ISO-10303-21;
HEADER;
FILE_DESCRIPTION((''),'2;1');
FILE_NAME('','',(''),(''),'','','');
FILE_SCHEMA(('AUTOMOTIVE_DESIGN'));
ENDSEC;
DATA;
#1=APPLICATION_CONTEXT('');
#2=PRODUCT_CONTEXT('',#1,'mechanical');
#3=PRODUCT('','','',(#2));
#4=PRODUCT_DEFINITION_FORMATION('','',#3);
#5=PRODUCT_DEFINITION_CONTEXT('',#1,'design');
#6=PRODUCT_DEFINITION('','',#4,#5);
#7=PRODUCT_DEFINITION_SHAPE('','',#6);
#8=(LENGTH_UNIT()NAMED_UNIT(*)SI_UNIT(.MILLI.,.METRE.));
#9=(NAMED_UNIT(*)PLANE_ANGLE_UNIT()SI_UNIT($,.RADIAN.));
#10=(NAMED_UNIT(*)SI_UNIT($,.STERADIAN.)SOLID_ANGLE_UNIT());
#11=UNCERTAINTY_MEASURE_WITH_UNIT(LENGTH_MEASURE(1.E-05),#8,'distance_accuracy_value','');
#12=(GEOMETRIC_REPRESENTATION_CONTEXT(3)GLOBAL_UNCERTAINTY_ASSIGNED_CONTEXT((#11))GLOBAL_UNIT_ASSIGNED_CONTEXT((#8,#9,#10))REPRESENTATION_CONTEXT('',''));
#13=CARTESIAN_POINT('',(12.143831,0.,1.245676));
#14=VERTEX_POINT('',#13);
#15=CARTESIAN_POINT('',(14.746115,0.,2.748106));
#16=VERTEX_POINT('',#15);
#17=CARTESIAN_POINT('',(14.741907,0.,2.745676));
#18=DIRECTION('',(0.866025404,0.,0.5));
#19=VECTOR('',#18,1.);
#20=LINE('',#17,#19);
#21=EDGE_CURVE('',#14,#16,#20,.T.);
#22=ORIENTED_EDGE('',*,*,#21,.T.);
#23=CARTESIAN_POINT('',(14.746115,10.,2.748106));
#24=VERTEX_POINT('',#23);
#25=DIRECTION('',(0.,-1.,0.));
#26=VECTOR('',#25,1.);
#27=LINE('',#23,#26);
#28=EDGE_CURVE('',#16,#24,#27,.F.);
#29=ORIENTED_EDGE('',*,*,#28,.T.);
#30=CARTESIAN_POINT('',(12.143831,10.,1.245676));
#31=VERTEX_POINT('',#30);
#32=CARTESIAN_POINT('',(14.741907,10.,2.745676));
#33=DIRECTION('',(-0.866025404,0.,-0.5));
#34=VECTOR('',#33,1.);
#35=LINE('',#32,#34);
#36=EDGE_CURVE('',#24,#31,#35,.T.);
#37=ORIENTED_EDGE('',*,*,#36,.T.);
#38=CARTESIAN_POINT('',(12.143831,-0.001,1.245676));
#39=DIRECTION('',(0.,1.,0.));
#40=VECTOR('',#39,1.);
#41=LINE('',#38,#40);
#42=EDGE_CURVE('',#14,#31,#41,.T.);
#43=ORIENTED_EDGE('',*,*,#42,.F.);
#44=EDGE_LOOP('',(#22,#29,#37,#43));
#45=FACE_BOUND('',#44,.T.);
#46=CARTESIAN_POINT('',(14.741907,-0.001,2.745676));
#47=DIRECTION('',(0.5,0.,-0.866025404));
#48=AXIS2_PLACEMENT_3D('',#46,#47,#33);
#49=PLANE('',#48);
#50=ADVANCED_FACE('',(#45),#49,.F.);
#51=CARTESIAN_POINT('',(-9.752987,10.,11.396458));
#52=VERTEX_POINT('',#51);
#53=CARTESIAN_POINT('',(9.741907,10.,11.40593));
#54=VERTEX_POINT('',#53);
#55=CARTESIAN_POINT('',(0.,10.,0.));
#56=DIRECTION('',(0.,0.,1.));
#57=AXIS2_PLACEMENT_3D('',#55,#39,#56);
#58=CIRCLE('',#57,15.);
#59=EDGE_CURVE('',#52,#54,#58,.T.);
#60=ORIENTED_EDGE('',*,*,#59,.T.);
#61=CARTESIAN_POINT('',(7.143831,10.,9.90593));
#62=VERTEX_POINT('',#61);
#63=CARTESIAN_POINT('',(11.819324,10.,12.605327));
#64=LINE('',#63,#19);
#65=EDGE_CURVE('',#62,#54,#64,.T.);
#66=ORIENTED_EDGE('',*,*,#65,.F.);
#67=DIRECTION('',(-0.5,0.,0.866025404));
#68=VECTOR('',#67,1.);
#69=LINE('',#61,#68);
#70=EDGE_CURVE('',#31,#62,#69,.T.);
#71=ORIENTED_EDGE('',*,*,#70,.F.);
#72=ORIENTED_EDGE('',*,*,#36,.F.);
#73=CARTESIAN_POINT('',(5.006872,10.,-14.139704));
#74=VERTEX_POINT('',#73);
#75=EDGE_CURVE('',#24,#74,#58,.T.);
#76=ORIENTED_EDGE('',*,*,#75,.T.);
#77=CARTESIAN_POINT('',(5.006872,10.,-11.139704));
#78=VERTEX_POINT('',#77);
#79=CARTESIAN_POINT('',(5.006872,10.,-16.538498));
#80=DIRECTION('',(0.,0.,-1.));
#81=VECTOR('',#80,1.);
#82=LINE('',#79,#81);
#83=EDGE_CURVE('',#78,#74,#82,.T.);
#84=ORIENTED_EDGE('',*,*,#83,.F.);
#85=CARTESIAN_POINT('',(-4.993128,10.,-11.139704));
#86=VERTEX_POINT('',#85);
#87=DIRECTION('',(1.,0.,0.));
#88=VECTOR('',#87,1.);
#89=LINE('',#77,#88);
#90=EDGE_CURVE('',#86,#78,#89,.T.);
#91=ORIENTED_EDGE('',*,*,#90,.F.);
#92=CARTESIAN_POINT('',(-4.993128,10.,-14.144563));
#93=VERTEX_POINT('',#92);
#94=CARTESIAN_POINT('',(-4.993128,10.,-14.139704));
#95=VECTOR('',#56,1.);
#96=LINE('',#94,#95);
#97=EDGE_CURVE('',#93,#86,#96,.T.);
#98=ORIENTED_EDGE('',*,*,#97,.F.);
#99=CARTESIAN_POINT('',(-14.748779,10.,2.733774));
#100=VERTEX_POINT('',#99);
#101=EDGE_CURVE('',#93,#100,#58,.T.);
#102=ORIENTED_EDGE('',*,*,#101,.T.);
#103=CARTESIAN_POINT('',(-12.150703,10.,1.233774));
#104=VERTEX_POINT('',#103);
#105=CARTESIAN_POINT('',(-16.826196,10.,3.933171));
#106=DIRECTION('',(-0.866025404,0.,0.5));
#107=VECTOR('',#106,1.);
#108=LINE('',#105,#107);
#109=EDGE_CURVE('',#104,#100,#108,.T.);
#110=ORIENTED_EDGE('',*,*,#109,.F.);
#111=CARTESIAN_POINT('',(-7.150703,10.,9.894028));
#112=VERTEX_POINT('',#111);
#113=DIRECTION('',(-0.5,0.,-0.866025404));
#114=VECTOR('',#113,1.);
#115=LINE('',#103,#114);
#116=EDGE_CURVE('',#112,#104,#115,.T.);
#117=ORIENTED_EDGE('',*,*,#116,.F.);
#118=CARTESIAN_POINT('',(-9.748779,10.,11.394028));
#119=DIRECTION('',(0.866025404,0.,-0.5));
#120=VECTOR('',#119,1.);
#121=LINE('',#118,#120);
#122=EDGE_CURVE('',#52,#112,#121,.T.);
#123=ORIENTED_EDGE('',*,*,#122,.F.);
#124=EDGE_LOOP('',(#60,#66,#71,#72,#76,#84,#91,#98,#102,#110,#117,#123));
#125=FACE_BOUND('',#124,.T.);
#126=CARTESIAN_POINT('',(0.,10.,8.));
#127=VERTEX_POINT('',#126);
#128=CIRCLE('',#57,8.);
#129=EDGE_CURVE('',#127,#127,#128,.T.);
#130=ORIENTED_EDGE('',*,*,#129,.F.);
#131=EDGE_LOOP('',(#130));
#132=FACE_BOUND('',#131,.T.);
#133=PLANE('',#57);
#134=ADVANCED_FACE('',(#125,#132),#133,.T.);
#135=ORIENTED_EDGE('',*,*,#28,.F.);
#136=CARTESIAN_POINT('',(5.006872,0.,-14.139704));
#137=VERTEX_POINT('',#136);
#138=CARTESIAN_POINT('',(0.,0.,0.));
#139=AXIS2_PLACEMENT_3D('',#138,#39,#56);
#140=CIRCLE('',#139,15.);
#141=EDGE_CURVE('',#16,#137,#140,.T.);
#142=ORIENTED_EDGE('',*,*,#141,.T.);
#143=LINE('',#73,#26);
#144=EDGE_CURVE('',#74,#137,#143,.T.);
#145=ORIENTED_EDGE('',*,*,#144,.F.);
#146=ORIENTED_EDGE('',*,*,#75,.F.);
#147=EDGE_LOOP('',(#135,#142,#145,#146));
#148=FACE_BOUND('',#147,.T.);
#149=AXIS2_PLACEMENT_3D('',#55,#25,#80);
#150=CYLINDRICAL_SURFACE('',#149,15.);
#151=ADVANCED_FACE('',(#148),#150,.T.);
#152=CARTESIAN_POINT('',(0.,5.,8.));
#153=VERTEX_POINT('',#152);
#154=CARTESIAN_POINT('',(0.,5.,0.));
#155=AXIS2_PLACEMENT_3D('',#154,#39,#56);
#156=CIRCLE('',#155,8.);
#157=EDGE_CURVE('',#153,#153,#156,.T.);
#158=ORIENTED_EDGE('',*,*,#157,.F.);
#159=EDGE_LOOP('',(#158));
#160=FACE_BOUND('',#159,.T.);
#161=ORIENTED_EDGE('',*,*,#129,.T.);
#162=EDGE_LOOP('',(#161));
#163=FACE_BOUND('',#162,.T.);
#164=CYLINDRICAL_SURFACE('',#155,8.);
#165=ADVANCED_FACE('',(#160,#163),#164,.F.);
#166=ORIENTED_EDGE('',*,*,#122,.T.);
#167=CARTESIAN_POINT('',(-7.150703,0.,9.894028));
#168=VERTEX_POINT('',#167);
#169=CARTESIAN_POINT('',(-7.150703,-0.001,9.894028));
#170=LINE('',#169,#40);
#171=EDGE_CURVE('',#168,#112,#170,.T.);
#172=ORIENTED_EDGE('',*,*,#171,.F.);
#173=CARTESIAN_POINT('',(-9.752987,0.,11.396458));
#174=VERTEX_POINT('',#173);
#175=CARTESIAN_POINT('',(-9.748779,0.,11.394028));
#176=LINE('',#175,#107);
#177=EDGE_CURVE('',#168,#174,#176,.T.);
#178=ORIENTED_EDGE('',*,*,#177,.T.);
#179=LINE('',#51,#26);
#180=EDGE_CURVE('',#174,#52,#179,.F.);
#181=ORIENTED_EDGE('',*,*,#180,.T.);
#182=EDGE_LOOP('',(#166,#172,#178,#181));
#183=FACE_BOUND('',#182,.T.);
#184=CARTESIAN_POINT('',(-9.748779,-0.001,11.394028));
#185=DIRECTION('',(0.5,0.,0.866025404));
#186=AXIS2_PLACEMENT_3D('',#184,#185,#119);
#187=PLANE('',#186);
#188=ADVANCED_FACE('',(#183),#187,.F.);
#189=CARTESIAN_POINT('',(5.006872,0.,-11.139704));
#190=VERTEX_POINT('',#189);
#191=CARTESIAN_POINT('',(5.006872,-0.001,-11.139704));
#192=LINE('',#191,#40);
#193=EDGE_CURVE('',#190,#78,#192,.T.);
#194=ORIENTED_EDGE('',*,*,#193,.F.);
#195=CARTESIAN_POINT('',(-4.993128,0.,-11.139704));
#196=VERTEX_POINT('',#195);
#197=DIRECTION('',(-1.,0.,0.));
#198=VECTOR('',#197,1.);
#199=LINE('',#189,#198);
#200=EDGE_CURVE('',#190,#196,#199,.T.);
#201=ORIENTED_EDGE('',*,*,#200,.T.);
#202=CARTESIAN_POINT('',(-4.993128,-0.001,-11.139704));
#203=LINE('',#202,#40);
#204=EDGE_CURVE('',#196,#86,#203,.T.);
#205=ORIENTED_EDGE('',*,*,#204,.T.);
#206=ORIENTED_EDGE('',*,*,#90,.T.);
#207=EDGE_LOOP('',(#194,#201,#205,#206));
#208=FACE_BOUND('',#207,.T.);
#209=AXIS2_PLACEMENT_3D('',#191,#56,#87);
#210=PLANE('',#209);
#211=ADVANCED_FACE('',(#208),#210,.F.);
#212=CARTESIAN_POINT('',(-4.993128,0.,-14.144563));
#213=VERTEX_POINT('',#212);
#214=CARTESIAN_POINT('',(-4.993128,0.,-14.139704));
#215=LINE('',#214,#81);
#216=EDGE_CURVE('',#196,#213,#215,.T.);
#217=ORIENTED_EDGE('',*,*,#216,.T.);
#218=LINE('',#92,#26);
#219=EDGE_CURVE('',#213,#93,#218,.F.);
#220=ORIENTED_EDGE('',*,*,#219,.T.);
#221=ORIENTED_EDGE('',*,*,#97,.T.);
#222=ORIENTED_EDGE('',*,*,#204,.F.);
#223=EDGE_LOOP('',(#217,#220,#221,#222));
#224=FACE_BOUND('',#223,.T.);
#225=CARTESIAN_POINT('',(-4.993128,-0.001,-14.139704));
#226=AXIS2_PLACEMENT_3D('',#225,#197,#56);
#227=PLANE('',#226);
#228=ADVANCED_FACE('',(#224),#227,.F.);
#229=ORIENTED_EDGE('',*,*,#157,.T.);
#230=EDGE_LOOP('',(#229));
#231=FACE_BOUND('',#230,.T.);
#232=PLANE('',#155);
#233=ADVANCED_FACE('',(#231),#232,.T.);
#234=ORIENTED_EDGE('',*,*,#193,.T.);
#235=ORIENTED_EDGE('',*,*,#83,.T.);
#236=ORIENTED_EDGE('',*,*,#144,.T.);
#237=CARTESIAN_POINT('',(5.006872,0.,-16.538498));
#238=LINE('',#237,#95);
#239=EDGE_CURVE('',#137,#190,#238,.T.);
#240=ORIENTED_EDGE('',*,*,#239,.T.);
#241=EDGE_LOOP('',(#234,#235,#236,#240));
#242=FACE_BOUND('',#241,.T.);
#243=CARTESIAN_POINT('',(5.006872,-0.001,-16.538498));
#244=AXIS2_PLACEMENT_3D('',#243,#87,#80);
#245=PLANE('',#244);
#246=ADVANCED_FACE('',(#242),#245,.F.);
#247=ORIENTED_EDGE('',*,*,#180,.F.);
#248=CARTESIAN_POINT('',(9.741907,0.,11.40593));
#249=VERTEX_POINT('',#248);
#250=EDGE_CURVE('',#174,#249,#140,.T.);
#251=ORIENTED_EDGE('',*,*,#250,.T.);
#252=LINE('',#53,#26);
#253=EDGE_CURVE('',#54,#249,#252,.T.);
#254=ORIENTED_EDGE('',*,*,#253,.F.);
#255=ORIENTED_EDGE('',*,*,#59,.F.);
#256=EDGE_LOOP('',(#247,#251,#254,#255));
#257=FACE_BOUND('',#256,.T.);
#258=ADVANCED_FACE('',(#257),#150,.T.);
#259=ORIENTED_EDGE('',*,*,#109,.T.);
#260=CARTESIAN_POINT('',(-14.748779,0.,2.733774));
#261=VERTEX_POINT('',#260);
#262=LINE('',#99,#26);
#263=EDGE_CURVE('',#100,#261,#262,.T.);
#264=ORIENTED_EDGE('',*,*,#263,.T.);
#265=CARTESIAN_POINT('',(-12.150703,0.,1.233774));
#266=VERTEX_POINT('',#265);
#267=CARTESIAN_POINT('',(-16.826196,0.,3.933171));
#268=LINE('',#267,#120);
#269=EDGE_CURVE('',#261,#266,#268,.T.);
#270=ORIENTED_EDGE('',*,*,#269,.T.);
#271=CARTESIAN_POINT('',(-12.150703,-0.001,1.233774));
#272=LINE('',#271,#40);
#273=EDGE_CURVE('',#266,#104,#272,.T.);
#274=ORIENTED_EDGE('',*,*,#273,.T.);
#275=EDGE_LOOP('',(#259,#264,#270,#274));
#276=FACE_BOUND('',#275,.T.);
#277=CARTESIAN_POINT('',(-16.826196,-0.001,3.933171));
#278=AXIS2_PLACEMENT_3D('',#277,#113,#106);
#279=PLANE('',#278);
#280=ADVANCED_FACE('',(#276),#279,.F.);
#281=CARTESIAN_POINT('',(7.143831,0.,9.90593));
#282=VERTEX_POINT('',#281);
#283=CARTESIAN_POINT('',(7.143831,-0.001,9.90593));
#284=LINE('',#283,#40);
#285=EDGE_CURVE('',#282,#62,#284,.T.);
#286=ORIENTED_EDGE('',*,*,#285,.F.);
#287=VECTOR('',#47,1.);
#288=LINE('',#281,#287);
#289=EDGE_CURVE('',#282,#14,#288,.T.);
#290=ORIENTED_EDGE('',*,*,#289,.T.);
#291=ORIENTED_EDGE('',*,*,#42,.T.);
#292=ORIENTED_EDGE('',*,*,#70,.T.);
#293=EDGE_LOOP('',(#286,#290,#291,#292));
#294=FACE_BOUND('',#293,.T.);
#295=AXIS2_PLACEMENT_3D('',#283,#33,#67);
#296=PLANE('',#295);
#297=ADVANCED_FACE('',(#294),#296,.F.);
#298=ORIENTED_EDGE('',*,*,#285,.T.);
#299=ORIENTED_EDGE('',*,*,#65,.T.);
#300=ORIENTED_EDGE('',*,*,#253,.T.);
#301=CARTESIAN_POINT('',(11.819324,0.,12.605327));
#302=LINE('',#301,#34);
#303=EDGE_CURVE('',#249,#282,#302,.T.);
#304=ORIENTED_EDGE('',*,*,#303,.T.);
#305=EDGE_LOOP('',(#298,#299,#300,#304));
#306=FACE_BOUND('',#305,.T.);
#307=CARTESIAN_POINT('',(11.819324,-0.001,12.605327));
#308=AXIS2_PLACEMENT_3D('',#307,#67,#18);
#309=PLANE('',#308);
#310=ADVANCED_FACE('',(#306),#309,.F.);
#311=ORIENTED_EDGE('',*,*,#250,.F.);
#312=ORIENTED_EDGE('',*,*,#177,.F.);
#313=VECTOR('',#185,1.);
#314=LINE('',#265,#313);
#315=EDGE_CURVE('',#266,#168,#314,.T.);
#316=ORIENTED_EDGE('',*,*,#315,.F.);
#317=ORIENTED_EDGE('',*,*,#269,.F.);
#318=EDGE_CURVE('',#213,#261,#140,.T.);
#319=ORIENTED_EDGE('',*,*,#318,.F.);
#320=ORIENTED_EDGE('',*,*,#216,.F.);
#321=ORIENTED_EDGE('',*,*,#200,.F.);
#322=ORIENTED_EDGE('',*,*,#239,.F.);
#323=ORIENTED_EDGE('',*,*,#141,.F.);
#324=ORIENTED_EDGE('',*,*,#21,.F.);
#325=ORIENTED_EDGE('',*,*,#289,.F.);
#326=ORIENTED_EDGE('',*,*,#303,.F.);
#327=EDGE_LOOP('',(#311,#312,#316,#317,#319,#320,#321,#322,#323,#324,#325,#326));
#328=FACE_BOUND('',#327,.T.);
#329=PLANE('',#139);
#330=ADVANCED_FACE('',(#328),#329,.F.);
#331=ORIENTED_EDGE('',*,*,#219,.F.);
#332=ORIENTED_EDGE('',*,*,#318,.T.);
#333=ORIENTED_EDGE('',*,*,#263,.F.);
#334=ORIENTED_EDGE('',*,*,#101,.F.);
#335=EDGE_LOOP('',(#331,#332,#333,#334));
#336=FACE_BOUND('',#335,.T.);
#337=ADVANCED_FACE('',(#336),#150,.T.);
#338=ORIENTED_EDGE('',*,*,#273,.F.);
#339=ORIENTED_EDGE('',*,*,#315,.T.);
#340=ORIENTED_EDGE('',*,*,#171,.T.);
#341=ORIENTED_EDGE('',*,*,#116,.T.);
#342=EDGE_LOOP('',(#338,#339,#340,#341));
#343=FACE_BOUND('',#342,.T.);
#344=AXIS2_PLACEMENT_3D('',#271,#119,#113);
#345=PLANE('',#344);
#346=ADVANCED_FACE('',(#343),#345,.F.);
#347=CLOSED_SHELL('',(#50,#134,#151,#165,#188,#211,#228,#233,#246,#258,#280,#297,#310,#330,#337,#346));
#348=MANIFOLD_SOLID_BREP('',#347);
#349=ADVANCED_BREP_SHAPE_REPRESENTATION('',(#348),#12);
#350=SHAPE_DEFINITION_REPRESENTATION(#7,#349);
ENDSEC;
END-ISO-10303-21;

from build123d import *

# Parameters (mm, degrees)
SKETCH1_R           = 15
BOSS_EXTRUDE1_DEPTH = 10
SKETCH2_R           = 8
CUT_EXTRUDE1_DEPTH  = 5
CUT_EXTRUDE2_REACH  = 25.452


with BuildPart() as part:
    # Sketch1 → Boss-Extrude1 (new body)
    with BuildSketch(Plane(origin=(0, 0, 0), x_dir=(1, 0, 0), z_dir=(0, 1, 0))):
        with Locations(Location((0, 0, 0), (0, 0, 270))):
            Circle(SKETCH1_R)
    extrude(amount=BOSS_EXTRUDE1_DEPTH)

    # Sketch2 → Cut-Extrude1 (cut)
    with BuildSketch(Plane(origin=(0, 10, 0), x_dir=(1, 0, 0), z_dir=(0, 1, 0))):
        with Locations(Location((0, 0, 0), (0, 0, 270))):
            Circle(SKETCH2_R)
    extrude(amount=-CUT_EXTRUDE1_DEPTH, mode=Mode.SUBTRACT)

    # Sketch3 → Cut-Extrude2 (cut, up to next)
    with BuildSketch(Plane(origin=(0, 10, 0), x_dir=(1, 0, 0), z_dir=(0, 1, 0)), mode=Mode.PRIVATE) as cut_extrude2_sk1:
        Polygon((-4.993128311, 14.139704236), (-4.993128311, 16.53849836), (5.006871689, 16.53849836), (5.006871689, 14.139704236), (5.006871689, 11.139704236), (-4.993128311, 11.139704236), align=None)
    cut_extrude2_tool1 = extrude(cut_extrude2_sk1.sketch, amount=-CUT_EXTRUDE2_REACH, mode=Mode.PRIVATE) & part.part
    # Sketch3 → Cut-Extrude2 (cut, up to next)
    with BuildSketch(Plane(origin=(0, 10, 0), x_dir=(1, 0, 0), z_dir=(0, 1, 0)), mode=Mode.PRIVATE) as cut_extrude2_sk2:
        Polygon((9.741907226, -11.405930195), (7.143831014, -9.905930195), (12.143831014, -1.245676157), (14.741907226, -2.745676157), (16.819323876, -3.945073219), (11.819323876, -12.605327257), align=None)
    cut_extrude2_tool2 = extrude(cut_extrude2_sk2.sketch, amount=-CUT_EXTRUDE2_REACH, mode=Mode.PRIVATE) & part.part
    # Sketch3 → Cut-Extrude2 (cut, up to next)
    with BuildSketch(Plane(origin=(0, 10, 0), x_dir=(1, 0, 0), z_dir=(0, 1, 0)), mode=Mode.PRIVATE) as cut_extrude2_sk3:
        Polygon((-14.748778915, -2.733774042), (-12.150702704, -1.233774042), (-7.150702704, -9.894028079), (-9.748778915, -11.394028079), (-11.826195565, -12.593425141), (-16.826195565, -3.933171104), align=None)
    cut_extrude2_tool3 = extrude(cut_extrude2_sk3.sketch, amount=-CUT_EXTRUDE2_REACH, mode=Mode.PRIVATE) & part.part
    add(cut_extrude2_tool1.solids().sort_by_distance((0.006872, 10, -13.839101))[0], mode=Mode.SUBTRACT)
    add(cut_extrude2_tool2.solids().sort_by_distance((11.981577, 10, 6.925502))[0], mode=Mode.SUBTRACT)
    add(cut_extrude2_tool3.solids().sort_by_distance((-11.988449, 10, 6.9136))[0], mode=Mode.SUBTRACT)


solid = part.part
